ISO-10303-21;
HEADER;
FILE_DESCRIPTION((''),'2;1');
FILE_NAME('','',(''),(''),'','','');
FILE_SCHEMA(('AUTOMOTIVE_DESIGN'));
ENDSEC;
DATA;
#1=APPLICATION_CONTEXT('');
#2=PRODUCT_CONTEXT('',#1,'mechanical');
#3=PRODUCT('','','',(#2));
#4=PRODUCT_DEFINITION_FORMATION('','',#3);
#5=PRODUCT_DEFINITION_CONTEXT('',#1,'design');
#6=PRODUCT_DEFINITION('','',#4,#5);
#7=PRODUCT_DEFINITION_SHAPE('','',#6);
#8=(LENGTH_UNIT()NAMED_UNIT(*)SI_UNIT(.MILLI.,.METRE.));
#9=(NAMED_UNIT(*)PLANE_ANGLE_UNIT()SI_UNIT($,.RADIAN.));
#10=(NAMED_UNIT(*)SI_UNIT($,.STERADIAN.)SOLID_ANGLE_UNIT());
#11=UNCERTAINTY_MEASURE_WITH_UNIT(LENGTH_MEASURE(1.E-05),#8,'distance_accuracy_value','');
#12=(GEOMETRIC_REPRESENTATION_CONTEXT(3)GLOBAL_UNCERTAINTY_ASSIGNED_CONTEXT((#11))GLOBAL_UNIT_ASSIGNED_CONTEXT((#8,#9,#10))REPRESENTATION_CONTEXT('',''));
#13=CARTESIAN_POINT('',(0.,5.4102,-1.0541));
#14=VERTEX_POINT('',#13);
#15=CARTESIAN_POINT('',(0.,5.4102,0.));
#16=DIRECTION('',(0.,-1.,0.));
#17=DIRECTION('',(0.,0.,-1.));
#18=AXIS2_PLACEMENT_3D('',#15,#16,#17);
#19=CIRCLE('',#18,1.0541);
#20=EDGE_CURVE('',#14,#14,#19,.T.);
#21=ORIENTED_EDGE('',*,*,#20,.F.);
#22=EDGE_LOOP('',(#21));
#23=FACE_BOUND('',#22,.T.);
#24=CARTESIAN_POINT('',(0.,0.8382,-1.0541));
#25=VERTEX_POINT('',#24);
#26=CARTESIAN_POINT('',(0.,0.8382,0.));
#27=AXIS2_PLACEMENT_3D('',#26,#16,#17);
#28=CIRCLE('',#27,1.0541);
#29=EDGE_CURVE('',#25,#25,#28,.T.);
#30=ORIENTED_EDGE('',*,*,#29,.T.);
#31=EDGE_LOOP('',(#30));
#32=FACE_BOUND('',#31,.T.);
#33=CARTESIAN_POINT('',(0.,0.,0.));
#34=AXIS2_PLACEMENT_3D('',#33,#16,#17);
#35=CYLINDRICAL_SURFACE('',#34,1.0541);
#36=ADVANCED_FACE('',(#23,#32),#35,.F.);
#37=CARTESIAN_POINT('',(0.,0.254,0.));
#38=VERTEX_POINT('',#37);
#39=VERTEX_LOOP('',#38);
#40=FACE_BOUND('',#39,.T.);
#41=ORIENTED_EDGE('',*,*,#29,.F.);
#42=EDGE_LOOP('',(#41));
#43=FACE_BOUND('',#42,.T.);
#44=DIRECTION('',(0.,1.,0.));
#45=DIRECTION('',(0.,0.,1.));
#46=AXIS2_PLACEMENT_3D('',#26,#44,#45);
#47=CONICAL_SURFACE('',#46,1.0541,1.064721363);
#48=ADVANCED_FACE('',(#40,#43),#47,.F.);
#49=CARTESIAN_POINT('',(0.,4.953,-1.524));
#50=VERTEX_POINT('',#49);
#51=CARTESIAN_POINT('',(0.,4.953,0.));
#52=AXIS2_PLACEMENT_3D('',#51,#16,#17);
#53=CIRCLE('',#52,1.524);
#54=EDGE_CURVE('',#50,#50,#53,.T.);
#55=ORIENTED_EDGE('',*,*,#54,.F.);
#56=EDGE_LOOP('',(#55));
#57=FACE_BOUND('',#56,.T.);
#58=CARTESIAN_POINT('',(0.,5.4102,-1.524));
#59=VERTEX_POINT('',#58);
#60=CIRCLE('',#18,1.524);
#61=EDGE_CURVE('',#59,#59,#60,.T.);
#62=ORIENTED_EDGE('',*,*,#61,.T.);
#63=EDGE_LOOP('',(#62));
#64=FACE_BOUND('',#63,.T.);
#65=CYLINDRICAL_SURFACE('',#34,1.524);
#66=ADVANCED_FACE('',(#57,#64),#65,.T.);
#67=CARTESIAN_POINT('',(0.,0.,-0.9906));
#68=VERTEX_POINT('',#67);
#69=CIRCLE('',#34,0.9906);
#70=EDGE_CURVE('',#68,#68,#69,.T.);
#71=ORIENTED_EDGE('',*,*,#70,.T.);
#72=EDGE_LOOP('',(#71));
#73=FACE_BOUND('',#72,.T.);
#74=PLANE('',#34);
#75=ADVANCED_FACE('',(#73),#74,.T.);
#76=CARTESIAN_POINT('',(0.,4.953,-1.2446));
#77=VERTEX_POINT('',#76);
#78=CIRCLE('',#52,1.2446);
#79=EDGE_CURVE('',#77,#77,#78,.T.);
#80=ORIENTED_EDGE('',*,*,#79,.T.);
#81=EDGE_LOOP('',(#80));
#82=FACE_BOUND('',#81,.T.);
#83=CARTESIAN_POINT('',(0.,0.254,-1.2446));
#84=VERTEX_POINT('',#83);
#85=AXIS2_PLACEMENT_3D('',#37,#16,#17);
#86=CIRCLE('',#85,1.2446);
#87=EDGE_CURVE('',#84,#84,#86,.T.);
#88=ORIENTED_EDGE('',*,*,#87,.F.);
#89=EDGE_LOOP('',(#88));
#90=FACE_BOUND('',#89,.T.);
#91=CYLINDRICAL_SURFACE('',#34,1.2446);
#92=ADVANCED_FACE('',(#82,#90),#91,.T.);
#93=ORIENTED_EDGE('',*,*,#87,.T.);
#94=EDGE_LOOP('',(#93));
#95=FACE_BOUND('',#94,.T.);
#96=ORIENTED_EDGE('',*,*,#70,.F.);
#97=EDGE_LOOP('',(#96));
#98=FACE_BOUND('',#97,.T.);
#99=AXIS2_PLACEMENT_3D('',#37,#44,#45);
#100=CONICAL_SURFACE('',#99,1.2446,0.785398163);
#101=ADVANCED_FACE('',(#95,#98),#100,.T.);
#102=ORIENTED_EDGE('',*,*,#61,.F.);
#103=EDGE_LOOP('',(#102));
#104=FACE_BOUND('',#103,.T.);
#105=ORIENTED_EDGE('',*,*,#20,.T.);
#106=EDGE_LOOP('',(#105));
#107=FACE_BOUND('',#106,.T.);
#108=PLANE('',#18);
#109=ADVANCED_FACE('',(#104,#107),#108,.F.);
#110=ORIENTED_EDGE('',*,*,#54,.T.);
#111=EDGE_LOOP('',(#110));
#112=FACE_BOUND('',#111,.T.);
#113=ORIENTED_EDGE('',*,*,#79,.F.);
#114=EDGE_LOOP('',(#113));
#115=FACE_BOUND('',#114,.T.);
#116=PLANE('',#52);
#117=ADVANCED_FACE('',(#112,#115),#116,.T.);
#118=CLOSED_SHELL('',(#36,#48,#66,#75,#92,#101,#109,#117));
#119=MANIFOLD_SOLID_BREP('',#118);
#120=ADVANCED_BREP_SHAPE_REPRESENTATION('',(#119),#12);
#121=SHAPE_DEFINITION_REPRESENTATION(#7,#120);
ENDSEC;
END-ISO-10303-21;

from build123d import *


with BuildPart() as part:
    # Sketch1 → Revolve1 (revolve)
    with BuildSketch(Plane.XY, mode=Mode.PRIVATE) as revolve1_sk:
        Polygon((1.0541, 5.4102), (1.0541, 0.8382), (0, 0.254), (0, 0), (0.9906, 0), (1.2446, 0.254), (1.2446, 4.953), (1.524, 4.953), (1.524, 5.4102), align=None)
    revolve(revolve1_sk.sketch.rotate(Axis((0, 0, 0), (0, 1, 0)), 90), axis=Axis((0, 0, 0), (0, 1, 0)))


solid = part.part
